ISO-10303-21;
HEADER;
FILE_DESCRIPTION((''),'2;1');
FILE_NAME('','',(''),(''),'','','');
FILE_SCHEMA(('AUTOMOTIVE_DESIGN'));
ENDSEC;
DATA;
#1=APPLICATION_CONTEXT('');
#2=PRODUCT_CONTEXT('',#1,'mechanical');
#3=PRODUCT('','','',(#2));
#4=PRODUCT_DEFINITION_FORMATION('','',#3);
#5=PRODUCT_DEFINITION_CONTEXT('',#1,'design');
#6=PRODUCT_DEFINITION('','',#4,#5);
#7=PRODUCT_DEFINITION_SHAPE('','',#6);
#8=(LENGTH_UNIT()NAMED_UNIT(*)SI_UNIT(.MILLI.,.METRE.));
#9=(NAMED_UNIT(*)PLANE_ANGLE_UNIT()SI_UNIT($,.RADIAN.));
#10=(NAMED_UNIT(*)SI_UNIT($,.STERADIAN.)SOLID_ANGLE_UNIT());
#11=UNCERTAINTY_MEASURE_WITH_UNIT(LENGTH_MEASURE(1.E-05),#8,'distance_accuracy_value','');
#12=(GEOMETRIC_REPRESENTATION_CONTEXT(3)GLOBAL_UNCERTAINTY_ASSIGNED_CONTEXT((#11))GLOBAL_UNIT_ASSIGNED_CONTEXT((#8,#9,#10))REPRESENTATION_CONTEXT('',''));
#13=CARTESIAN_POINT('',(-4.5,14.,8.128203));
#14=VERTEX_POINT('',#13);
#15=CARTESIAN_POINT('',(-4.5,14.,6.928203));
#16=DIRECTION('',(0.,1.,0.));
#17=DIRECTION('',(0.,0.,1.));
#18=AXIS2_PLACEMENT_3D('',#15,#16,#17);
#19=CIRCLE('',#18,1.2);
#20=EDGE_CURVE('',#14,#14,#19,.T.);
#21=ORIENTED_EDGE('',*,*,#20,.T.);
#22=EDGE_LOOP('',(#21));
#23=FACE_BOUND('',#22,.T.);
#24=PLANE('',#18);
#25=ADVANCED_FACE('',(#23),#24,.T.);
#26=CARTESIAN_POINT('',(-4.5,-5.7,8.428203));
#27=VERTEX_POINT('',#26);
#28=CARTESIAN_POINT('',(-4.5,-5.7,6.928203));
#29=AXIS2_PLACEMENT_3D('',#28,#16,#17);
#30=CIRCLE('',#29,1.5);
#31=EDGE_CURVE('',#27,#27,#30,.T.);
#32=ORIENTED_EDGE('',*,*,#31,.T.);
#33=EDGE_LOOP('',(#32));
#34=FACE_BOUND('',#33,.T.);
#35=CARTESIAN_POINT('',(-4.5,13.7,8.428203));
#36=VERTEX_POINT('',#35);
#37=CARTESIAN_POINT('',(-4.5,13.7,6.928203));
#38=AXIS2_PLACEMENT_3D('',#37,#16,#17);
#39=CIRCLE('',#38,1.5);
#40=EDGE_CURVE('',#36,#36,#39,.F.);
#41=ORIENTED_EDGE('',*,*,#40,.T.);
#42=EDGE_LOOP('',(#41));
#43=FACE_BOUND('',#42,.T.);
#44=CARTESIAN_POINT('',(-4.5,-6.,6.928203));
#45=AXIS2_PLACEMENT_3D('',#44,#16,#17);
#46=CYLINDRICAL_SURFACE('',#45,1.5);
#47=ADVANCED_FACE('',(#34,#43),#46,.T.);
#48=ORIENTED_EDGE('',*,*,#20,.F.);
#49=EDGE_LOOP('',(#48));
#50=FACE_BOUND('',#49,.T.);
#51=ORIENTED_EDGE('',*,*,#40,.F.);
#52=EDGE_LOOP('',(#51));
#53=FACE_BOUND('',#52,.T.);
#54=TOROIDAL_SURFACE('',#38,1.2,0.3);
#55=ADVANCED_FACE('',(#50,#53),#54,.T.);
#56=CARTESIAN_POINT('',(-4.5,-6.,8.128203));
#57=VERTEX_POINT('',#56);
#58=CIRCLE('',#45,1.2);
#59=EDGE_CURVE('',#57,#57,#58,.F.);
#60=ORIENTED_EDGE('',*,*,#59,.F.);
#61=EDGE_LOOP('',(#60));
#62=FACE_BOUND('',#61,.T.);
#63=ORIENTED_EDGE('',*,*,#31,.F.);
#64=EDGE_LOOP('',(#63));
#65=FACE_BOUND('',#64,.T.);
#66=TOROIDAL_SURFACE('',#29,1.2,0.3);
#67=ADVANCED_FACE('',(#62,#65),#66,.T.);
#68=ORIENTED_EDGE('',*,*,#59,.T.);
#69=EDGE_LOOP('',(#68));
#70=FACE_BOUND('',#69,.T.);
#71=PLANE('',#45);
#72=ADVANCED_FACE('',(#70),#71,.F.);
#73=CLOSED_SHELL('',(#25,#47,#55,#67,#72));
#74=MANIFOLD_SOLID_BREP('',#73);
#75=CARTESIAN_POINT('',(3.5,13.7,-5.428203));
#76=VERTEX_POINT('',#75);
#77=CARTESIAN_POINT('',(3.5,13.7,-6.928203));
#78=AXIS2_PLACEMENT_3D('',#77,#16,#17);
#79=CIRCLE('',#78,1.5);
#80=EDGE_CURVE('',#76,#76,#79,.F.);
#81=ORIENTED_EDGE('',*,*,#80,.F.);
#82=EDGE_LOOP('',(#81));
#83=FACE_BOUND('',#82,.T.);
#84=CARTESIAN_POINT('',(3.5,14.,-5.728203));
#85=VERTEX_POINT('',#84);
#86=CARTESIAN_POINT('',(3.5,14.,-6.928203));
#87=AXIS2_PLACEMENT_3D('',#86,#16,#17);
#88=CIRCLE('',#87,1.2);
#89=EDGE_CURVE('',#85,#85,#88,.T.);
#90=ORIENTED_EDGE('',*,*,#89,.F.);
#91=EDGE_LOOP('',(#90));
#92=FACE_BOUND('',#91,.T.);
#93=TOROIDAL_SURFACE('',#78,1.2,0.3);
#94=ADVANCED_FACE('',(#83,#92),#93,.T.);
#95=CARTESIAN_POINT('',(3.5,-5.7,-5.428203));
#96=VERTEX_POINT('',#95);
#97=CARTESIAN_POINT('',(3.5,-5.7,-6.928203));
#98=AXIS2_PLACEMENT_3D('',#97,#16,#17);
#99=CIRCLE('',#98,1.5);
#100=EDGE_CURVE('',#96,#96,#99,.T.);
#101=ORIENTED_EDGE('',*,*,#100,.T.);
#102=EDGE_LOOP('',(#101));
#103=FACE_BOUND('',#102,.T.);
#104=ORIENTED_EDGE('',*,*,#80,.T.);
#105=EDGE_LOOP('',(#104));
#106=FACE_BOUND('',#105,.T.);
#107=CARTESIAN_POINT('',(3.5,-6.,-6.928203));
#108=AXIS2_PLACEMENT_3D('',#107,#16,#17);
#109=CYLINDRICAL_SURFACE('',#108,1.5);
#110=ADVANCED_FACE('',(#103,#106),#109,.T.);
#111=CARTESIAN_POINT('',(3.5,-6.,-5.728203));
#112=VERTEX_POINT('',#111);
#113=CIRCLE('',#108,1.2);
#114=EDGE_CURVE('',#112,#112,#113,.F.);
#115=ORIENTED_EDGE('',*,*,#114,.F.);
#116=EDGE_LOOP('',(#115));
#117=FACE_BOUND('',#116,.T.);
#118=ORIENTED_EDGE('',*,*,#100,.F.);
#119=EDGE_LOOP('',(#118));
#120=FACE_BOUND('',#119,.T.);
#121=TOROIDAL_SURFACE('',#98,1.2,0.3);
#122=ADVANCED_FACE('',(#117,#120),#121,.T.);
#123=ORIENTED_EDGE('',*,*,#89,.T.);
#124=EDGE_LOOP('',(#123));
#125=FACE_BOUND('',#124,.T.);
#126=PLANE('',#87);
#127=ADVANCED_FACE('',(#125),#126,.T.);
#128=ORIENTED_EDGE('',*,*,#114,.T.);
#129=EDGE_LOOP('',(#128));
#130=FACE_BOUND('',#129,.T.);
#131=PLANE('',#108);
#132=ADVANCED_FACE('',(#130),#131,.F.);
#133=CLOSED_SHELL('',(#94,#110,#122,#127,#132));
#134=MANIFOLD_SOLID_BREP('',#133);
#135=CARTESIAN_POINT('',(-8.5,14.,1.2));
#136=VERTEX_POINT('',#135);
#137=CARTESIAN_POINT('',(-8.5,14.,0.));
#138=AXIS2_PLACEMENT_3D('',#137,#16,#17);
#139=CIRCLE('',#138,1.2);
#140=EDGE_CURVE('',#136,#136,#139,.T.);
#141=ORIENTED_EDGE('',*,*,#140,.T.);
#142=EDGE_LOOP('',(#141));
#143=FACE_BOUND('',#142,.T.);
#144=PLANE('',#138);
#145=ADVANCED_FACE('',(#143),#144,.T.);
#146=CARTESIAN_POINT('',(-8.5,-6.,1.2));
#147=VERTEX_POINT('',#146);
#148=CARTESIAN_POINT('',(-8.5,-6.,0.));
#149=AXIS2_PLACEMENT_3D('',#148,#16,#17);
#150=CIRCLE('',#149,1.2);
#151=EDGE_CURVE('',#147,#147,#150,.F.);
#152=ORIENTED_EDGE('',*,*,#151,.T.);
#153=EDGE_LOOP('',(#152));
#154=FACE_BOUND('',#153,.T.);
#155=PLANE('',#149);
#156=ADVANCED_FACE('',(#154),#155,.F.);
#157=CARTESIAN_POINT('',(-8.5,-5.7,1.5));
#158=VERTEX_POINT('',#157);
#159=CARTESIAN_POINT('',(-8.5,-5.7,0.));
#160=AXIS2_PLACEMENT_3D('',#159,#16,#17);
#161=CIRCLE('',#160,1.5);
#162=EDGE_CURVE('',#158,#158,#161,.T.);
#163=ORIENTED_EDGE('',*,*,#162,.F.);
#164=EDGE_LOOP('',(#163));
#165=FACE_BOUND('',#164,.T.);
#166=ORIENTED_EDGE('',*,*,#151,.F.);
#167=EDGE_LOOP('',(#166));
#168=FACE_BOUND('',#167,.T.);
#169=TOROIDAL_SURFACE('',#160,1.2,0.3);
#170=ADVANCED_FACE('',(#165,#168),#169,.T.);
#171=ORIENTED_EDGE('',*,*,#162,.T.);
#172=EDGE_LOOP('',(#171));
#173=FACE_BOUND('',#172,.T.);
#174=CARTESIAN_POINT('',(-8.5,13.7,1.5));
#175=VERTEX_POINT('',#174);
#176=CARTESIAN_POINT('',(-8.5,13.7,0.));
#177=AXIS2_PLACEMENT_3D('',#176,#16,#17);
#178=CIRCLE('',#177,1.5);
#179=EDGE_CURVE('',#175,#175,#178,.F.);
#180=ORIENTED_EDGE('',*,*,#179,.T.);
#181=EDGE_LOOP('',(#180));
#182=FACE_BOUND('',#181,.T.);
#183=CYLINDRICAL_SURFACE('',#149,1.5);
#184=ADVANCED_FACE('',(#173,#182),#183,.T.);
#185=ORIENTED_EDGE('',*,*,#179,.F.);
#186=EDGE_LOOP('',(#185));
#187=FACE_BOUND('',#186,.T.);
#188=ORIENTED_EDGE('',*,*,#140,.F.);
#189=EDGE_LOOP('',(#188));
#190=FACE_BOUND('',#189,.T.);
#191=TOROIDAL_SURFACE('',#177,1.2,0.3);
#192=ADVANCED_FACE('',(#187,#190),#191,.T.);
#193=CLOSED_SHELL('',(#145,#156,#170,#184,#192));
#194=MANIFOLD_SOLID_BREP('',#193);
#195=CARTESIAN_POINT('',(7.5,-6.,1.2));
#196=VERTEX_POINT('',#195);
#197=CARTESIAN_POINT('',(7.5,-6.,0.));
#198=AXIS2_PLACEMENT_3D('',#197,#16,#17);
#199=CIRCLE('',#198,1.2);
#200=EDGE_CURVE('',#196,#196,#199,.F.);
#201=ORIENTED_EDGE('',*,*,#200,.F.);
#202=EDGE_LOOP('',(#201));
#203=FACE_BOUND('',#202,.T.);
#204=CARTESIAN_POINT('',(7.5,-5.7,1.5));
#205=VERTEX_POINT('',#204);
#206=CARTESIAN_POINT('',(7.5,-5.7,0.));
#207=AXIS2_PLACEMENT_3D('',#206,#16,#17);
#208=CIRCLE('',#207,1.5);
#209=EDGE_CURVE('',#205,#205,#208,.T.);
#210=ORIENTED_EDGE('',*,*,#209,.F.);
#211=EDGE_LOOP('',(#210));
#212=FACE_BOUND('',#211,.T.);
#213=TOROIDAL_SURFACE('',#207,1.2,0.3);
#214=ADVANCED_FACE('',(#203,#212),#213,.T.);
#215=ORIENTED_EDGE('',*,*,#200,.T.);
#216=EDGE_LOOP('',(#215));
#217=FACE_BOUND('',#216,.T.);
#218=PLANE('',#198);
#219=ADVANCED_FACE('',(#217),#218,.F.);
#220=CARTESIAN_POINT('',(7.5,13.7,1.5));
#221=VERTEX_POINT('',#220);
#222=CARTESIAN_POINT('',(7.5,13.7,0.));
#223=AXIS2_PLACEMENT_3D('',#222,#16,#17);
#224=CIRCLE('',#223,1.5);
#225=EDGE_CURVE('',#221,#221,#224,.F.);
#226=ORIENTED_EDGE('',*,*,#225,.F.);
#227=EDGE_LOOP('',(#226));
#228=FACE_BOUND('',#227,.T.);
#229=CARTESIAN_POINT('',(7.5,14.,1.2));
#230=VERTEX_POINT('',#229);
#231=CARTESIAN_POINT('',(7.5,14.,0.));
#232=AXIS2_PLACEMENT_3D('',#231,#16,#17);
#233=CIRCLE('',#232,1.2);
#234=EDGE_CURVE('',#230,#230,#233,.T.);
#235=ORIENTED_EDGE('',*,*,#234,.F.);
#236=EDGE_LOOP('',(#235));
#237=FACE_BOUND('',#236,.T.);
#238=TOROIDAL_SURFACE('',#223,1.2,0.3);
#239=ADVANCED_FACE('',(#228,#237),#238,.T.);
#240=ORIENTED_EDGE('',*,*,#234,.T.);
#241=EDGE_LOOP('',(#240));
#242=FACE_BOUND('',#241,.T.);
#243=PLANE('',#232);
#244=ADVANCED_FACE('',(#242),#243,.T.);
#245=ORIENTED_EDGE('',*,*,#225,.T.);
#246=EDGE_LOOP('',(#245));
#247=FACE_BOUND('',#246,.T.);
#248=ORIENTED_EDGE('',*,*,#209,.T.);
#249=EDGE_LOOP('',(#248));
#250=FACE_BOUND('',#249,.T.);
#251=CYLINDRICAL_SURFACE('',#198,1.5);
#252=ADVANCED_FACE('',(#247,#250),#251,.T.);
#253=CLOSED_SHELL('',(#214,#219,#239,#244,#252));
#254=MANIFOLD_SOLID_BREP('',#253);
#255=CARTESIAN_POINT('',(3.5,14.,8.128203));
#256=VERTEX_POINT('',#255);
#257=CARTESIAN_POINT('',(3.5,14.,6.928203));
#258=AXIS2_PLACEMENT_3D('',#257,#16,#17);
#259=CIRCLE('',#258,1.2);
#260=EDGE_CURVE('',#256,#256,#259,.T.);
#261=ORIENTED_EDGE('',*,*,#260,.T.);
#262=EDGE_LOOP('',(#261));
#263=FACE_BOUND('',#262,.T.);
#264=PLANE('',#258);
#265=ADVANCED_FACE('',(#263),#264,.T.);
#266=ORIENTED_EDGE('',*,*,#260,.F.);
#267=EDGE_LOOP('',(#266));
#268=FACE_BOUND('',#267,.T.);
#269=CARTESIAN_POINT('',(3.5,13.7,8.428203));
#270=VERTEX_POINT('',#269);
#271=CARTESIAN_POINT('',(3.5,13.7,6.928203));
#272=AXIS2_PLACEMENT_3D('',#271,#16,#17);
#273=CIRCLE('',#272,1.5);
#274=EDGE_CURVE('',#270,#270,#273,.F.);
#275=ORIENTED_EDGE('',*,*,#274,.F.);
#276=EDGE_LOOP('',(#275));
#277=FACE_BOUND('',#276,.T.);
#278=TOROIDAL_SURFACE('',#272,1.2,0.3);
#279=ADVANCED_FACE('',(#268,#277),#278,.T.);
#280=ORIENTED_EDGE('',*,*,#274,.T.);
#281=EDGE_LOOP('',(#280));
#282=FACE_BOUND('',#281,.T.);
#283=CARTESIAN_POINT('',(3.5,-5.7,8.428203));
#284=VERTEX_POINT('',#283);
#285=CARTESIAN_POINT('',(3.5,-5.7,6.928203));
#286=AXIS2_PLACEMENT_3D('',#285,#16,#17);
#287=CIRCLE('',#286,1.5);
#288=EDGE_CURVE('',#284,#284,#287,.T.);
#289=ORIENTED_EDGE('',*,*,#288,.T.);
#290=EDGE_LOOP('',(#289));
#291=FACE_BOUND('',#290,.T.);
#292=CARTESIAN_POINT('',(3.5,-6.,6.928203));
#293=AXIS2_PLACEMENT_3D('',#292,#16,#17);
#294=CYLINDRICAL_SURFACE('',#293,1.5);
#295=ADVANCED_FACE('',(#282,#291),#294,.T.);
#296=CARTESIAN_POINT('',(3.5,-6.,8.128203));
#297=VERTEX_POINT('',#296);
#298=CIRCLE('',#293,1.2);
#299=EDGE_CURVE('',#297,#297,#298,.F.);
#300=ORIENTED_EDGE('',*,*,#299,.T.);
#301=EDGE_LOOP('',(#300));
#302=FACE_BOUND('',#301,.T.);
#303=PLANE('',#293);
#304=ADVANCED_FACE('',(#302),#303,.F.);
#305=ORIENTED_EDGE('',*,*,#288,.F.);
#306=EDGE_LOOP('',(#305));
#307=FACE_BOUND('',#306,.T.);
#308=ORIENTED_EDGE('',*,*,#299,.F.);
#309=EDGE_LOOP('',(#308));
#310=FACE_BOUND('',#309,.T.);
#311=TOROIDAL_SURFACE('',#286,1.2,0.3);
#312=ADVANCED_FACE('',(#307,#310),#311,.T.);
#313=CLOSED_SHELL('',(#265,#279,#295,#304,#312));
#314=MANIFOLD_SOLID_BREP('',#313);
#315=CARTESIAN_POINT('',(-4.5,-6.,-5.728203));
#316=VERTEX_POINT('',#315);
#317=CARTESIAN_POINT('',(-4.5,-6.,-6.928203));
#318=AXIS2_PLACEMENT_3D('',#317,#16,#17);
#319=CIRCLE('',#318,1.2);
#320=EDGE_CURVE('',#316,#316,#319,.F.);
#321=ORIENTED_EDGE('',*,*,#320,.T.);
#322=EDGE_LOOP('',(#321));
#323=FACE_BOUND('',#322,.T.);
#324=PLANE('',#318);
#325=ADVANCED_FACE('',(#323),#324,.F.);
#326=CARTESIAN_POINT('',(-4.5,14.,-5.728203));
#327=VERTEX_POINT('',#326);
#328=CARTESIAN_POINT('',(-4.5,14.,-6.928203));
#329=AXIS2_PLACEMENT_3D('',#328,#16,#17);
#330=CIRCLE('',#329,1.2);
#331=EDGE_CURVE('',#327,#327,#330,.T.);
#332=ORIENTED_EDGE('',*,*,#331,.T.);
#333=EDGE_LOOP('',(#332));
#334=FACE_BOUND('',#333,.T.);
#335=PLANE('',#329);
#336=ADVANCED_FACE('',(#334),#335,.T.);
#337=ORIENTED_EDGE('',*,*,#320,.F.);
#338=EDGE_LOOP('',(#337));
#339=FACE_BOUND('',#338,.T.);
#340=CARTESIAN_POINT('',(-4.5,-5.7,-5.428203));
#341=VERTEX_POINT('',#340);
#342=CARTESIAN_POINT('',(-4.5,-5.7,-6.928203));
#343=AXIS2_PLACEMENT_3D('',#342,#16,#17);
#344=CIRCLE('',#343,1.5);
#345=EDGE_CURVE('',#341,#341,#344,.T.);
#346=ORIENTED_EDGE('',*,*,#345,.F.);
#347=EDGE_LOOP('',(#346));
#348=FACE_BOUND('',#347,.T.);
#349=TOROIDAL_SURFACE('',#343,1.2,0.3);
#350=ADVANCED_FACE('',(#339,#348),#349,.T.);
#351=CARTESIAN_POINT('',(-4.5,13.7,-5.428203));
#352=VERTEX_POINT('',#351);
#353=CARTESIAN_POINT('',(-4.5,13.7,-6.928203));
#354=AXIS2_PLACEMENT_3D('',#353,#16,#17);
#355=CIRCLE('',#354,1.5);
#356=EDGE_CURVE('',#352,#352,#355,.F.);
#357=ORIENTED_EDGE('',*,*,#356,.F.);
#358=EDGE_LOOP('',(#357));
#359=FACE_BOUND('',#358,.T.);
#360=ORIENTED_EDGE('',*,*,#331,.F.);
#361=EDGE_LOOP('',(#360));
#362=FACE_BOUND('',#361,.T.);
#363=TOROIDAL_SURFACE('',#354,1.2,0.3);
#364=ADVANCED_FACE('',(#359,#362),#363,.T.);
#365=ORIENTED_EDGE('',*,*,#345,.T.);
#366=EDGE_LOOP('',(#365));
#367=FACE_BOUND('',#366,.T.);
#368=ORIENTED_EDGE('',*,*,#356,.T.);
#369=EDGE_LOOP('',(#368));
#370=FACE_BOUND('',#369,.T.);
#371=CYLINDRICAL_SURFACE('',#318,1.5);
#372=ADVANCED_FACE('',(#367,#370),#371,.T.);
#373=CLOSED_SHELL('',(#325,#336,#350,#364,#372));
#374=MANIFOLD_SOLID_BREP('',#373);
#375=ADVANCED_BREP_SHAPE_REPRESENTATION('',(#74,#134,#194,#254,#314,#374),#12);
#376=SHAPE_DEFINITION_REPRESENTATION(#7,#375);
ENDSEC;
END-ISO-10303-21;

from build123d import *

# Parameters (mm, degrees)
BOSS_EXTRUDE1_DEPTH        = 14
BOSS_EXTRUDE1_DEPTH_BACK   = 6
SKETCH2_R                  = 1.5
BOSS_EXTRUDE1_2_DEPTH      = 14
BOSS_EXTRUDE1_2_DEPTH_BACK = 6
BOSS_EXTRUDE1_3_DEPTH      = 14
BOSS_EXTRUDE1_3_DEPTH_BACK = 6
BOSS_EXTRUDE1_4_DEPTH      = 14
BOSS_EXTRUDE1_4_DEPTH_BACK = 6
BOSS_EXTRUDE1_5_DEPTH      = 14
BOSS_EXTRUDE1_5_DEPTH_BACK = 6
BOSS_EXTRUDE1_6_DEPTH      = 14
BOSS_EXTRUDE1_6_DEPTH_BACK = 6
FILLET1_R                  = 0.3
FILLET2_R                  = 0.3
FILLET3_R                  = 0.3
FILLET4_R                  = 0.3
FILLET5_R                  = 0.3
FILLET6_R                  = 0.3
FILLET7_R                  = 0.3
FILLET8_R                  = 0.3
FILLET9_R                  = 0.3
FILLET10_R                 = 0.3
FILLET11_R                 = 0.3
FILLET12_R                 = 0.3


with BuildPart() as part:
    # Sketch2 → Boss-Extrude1 (new, two sides: drawn at the far end of the back side and taken through both)
    with BuildSketch(Plane(origin=(0, 0, 0), x_dir=(1, 0, 0), z_dir=(0, 1, 0)).offset(-BOSS_EXTRUDE1_DEPTH_BACK)):
        with Locations(Location((7.5, 1.13e-07, 0), (0, 0, 270))):
            Circle(SKETCH2_R)
    extrude(amount=BOSS_EXTRUDE1_DEPTH + BOSS_EXTRUDE1_DEPTH_BACK)

    # Fillet4
    fillet4_edges = [part.edges().sort_by_distance(p)[0] for p in [
        (7.5, 14, -1.500000113),
    ]]
    fillet(fillet4_edges, radius=FILLET4_R)

    # Fillet12
    fillet12_edges = [part.edges().sort_by_distance(p)[0] for p in [
        (7.5, -6, -1.500000113),
    ]]
    fillet(fillet12_edges, radius=FILLET12_R)


with BuildPart() as body_2:
    # Sketch2 → Boss-Extrude1 2 (new, two sides: drawn at the far end of the back side and taken through both)
    with BuildSketch(Plane(origin=(0, 0, 0), x_dir=(1, 0, 0), z_dir=(0, 1, 0)).offset(-BOSS_EXTRUDE1_2_DEPTH_BACK)):
        with Locations(Location((3.5, -6.928203117, 0), (0, 0, 270))):
            Circle(SKETCH2_R)
    extrude(amount=BOSS_EXTRUDE1_2_DEPTH + BOSS_EXTRUDE1_2_DEPTH_BACK)

    # Fillet5
    fillet5_edges = [body_2.edges().sort_by_distance(p)[0] for p in [
        (3.5, 14, 5.428203117),
    ]]
    fillet(fillet5_edges, radius=FILLET5_R)

    # Fillet8
    fillet8_edges = [body_2.edges().sort_by_distance(p)[0] for p in [
        (3.5, -6, 5.428203117),
    ]]
    fillet(fillet8_edges, radius=FILLET8_R)


with BuildPart() as body_3:
    # Sketch2 → Boss-Extrude1 3 (new, two sides: drawn at the far end of the back side and taken through both)
    with BuildSketch(Plane(origin=(0, 0, 0), x_dir=(1, 0, 0), z_dir=(0, 1, 0)).offset(-BOSS_EXTRUDE1_3_DEPTH_BACK)):
        with Locations(Location((-4.5, -6.928203117, 0), (0, 0, 270))):
            Circle(SKETCH2_R)
    extrude(amount=BOSS_EXTRUDE1_3_DEPTH + BOSS_EXTRUDE1_3_DEPTH_BACK)

    # Fillet6
    fillet6_edges = [body_3.edges().sort_by_distance(p)[0] for p in [
        (-4.5, 14, 5.428203117),
    ]]
    fillet(fillet6_edges, radius=FILLET6_R)

    # Fillet7
    fillet7_edges = [body_3.edges().sort_by_distance(p)[0] for p in [
        (-4.5, -6, 5.428203117),
    ]]
    fillet(fillet7_edges, radius=FILLET7_R)


with BuildPart() as body_4:
    # Sketch2 → Boss-Extrude1 4 (new, two sides: drawn at the far end of the back side and taken through both)
    with BuildSketch(Plane(origin=(0, 0, 0), x_dir=(1, 0, 0), z_dir=(0, 1, 0)).offset(-BOSS_EXTRUDE1_4_DEPTH_BACK)):
        with Locations(Location((-8.5, 1.13e-07, 0), (0, 0, 270))):
            Circle(SKETCH2_R)
    extrude(amount=BOSS_EXTRUDE1_4_DEPTH + BOSS_EXTRUDE1_4_DEPTH_BACK)

    # Fillet1
    fillet1_edges = [body_4.edges().sort_by_distance(p)[0] for p in [
        (-8.5, 14, -1.500000113),
    ]]
    fillet(fillet1_edges, radius=FILLET1_R)

    # Fillet9
    fillet9_edges = [body_4.edges().sort_by_distance(p)[0] for p in [
        (-8.5, -6, -1.500000113),
    ]]
    fillet(fillet9_edges, radius=FILLET9_R)


with BuildPart() as body_5:
    # Sketch2 → Boss-Extrude1 5 (new, two sides: drawn at the far end of the back side and taken through both)
    with BuildSketch(Plane(origin=(0, 0, 0), x_dir=(1, 0, 0), z_dir=(0, 1, 0)).offset(-BOSS_EXTRUDE1_5_DEPTH_BACK)):
        with Locations(Location((-4.5, 6.928203343, 0), (0, 0, 270))):
            Circle(SKETCH2_R)
    extrude(amount=BOSS_EXTRUDE1_5_DEPTH + BOSS_EXTRUDE1_5_DEPTH_BACK)

    # Fillet2
    fillet2_edges = [body_5.edges().sort_by_distance(p)[0] for p in [
        (-4.5, 14, -8.428203343),
    ]]
    fillet(fillet2_edges, radius=FILLET2_R)

    # Fillet10
    fillet10_edges = [body_5.edges().sort_by_distance(p)[0] for p in [
        (-4.5, -6, -8.428203343),
    ]]
    fillet(fillet10_edges, radius=FILLET10_R)


with BuildPart() as body_6:
    # Sketch2 → Boss-Extrude1 6 (new, two sides: drawn at the far end of the back side and taken through both)
    with BuildSketch(Plane(origin=(0, 0, 0), x_dir=(1, 0, 0), z_dir=(0, 1, 0)).offset(-BOSS_EXTRUDE1_6_DEPTH_BACK)):
        with Locations(Location((3.5, 6.928203343, 0), (0, 0, 270))):
            Circle(SKETCH2_R)
    extrude(amount=BOSS_EXTRUDE1_6_DEPTH + BOSS_EXTRUDE1_6_DEPTH_BACK)

    # Fillet3
    fillet3_edges = [body_6.edges().sort_by_distance(p)[0] for p in [
        (3.5, 14, -8.428203343),
    ]]
    fillet(fillet3_edges, radius=FILLET3_R)

    # Fillet11
    fillet11_edges = [body_6.edges().sort_by_distance(p)[0] for p in [
        (3.5, -6, -8.428203343),
    ]]
    fillet(fillet11_edges, radius=FILLET11_R)


solid = Compound([part.part, body_2.part, body_3.part, body_4.part, body_5.part, body_6.part])
